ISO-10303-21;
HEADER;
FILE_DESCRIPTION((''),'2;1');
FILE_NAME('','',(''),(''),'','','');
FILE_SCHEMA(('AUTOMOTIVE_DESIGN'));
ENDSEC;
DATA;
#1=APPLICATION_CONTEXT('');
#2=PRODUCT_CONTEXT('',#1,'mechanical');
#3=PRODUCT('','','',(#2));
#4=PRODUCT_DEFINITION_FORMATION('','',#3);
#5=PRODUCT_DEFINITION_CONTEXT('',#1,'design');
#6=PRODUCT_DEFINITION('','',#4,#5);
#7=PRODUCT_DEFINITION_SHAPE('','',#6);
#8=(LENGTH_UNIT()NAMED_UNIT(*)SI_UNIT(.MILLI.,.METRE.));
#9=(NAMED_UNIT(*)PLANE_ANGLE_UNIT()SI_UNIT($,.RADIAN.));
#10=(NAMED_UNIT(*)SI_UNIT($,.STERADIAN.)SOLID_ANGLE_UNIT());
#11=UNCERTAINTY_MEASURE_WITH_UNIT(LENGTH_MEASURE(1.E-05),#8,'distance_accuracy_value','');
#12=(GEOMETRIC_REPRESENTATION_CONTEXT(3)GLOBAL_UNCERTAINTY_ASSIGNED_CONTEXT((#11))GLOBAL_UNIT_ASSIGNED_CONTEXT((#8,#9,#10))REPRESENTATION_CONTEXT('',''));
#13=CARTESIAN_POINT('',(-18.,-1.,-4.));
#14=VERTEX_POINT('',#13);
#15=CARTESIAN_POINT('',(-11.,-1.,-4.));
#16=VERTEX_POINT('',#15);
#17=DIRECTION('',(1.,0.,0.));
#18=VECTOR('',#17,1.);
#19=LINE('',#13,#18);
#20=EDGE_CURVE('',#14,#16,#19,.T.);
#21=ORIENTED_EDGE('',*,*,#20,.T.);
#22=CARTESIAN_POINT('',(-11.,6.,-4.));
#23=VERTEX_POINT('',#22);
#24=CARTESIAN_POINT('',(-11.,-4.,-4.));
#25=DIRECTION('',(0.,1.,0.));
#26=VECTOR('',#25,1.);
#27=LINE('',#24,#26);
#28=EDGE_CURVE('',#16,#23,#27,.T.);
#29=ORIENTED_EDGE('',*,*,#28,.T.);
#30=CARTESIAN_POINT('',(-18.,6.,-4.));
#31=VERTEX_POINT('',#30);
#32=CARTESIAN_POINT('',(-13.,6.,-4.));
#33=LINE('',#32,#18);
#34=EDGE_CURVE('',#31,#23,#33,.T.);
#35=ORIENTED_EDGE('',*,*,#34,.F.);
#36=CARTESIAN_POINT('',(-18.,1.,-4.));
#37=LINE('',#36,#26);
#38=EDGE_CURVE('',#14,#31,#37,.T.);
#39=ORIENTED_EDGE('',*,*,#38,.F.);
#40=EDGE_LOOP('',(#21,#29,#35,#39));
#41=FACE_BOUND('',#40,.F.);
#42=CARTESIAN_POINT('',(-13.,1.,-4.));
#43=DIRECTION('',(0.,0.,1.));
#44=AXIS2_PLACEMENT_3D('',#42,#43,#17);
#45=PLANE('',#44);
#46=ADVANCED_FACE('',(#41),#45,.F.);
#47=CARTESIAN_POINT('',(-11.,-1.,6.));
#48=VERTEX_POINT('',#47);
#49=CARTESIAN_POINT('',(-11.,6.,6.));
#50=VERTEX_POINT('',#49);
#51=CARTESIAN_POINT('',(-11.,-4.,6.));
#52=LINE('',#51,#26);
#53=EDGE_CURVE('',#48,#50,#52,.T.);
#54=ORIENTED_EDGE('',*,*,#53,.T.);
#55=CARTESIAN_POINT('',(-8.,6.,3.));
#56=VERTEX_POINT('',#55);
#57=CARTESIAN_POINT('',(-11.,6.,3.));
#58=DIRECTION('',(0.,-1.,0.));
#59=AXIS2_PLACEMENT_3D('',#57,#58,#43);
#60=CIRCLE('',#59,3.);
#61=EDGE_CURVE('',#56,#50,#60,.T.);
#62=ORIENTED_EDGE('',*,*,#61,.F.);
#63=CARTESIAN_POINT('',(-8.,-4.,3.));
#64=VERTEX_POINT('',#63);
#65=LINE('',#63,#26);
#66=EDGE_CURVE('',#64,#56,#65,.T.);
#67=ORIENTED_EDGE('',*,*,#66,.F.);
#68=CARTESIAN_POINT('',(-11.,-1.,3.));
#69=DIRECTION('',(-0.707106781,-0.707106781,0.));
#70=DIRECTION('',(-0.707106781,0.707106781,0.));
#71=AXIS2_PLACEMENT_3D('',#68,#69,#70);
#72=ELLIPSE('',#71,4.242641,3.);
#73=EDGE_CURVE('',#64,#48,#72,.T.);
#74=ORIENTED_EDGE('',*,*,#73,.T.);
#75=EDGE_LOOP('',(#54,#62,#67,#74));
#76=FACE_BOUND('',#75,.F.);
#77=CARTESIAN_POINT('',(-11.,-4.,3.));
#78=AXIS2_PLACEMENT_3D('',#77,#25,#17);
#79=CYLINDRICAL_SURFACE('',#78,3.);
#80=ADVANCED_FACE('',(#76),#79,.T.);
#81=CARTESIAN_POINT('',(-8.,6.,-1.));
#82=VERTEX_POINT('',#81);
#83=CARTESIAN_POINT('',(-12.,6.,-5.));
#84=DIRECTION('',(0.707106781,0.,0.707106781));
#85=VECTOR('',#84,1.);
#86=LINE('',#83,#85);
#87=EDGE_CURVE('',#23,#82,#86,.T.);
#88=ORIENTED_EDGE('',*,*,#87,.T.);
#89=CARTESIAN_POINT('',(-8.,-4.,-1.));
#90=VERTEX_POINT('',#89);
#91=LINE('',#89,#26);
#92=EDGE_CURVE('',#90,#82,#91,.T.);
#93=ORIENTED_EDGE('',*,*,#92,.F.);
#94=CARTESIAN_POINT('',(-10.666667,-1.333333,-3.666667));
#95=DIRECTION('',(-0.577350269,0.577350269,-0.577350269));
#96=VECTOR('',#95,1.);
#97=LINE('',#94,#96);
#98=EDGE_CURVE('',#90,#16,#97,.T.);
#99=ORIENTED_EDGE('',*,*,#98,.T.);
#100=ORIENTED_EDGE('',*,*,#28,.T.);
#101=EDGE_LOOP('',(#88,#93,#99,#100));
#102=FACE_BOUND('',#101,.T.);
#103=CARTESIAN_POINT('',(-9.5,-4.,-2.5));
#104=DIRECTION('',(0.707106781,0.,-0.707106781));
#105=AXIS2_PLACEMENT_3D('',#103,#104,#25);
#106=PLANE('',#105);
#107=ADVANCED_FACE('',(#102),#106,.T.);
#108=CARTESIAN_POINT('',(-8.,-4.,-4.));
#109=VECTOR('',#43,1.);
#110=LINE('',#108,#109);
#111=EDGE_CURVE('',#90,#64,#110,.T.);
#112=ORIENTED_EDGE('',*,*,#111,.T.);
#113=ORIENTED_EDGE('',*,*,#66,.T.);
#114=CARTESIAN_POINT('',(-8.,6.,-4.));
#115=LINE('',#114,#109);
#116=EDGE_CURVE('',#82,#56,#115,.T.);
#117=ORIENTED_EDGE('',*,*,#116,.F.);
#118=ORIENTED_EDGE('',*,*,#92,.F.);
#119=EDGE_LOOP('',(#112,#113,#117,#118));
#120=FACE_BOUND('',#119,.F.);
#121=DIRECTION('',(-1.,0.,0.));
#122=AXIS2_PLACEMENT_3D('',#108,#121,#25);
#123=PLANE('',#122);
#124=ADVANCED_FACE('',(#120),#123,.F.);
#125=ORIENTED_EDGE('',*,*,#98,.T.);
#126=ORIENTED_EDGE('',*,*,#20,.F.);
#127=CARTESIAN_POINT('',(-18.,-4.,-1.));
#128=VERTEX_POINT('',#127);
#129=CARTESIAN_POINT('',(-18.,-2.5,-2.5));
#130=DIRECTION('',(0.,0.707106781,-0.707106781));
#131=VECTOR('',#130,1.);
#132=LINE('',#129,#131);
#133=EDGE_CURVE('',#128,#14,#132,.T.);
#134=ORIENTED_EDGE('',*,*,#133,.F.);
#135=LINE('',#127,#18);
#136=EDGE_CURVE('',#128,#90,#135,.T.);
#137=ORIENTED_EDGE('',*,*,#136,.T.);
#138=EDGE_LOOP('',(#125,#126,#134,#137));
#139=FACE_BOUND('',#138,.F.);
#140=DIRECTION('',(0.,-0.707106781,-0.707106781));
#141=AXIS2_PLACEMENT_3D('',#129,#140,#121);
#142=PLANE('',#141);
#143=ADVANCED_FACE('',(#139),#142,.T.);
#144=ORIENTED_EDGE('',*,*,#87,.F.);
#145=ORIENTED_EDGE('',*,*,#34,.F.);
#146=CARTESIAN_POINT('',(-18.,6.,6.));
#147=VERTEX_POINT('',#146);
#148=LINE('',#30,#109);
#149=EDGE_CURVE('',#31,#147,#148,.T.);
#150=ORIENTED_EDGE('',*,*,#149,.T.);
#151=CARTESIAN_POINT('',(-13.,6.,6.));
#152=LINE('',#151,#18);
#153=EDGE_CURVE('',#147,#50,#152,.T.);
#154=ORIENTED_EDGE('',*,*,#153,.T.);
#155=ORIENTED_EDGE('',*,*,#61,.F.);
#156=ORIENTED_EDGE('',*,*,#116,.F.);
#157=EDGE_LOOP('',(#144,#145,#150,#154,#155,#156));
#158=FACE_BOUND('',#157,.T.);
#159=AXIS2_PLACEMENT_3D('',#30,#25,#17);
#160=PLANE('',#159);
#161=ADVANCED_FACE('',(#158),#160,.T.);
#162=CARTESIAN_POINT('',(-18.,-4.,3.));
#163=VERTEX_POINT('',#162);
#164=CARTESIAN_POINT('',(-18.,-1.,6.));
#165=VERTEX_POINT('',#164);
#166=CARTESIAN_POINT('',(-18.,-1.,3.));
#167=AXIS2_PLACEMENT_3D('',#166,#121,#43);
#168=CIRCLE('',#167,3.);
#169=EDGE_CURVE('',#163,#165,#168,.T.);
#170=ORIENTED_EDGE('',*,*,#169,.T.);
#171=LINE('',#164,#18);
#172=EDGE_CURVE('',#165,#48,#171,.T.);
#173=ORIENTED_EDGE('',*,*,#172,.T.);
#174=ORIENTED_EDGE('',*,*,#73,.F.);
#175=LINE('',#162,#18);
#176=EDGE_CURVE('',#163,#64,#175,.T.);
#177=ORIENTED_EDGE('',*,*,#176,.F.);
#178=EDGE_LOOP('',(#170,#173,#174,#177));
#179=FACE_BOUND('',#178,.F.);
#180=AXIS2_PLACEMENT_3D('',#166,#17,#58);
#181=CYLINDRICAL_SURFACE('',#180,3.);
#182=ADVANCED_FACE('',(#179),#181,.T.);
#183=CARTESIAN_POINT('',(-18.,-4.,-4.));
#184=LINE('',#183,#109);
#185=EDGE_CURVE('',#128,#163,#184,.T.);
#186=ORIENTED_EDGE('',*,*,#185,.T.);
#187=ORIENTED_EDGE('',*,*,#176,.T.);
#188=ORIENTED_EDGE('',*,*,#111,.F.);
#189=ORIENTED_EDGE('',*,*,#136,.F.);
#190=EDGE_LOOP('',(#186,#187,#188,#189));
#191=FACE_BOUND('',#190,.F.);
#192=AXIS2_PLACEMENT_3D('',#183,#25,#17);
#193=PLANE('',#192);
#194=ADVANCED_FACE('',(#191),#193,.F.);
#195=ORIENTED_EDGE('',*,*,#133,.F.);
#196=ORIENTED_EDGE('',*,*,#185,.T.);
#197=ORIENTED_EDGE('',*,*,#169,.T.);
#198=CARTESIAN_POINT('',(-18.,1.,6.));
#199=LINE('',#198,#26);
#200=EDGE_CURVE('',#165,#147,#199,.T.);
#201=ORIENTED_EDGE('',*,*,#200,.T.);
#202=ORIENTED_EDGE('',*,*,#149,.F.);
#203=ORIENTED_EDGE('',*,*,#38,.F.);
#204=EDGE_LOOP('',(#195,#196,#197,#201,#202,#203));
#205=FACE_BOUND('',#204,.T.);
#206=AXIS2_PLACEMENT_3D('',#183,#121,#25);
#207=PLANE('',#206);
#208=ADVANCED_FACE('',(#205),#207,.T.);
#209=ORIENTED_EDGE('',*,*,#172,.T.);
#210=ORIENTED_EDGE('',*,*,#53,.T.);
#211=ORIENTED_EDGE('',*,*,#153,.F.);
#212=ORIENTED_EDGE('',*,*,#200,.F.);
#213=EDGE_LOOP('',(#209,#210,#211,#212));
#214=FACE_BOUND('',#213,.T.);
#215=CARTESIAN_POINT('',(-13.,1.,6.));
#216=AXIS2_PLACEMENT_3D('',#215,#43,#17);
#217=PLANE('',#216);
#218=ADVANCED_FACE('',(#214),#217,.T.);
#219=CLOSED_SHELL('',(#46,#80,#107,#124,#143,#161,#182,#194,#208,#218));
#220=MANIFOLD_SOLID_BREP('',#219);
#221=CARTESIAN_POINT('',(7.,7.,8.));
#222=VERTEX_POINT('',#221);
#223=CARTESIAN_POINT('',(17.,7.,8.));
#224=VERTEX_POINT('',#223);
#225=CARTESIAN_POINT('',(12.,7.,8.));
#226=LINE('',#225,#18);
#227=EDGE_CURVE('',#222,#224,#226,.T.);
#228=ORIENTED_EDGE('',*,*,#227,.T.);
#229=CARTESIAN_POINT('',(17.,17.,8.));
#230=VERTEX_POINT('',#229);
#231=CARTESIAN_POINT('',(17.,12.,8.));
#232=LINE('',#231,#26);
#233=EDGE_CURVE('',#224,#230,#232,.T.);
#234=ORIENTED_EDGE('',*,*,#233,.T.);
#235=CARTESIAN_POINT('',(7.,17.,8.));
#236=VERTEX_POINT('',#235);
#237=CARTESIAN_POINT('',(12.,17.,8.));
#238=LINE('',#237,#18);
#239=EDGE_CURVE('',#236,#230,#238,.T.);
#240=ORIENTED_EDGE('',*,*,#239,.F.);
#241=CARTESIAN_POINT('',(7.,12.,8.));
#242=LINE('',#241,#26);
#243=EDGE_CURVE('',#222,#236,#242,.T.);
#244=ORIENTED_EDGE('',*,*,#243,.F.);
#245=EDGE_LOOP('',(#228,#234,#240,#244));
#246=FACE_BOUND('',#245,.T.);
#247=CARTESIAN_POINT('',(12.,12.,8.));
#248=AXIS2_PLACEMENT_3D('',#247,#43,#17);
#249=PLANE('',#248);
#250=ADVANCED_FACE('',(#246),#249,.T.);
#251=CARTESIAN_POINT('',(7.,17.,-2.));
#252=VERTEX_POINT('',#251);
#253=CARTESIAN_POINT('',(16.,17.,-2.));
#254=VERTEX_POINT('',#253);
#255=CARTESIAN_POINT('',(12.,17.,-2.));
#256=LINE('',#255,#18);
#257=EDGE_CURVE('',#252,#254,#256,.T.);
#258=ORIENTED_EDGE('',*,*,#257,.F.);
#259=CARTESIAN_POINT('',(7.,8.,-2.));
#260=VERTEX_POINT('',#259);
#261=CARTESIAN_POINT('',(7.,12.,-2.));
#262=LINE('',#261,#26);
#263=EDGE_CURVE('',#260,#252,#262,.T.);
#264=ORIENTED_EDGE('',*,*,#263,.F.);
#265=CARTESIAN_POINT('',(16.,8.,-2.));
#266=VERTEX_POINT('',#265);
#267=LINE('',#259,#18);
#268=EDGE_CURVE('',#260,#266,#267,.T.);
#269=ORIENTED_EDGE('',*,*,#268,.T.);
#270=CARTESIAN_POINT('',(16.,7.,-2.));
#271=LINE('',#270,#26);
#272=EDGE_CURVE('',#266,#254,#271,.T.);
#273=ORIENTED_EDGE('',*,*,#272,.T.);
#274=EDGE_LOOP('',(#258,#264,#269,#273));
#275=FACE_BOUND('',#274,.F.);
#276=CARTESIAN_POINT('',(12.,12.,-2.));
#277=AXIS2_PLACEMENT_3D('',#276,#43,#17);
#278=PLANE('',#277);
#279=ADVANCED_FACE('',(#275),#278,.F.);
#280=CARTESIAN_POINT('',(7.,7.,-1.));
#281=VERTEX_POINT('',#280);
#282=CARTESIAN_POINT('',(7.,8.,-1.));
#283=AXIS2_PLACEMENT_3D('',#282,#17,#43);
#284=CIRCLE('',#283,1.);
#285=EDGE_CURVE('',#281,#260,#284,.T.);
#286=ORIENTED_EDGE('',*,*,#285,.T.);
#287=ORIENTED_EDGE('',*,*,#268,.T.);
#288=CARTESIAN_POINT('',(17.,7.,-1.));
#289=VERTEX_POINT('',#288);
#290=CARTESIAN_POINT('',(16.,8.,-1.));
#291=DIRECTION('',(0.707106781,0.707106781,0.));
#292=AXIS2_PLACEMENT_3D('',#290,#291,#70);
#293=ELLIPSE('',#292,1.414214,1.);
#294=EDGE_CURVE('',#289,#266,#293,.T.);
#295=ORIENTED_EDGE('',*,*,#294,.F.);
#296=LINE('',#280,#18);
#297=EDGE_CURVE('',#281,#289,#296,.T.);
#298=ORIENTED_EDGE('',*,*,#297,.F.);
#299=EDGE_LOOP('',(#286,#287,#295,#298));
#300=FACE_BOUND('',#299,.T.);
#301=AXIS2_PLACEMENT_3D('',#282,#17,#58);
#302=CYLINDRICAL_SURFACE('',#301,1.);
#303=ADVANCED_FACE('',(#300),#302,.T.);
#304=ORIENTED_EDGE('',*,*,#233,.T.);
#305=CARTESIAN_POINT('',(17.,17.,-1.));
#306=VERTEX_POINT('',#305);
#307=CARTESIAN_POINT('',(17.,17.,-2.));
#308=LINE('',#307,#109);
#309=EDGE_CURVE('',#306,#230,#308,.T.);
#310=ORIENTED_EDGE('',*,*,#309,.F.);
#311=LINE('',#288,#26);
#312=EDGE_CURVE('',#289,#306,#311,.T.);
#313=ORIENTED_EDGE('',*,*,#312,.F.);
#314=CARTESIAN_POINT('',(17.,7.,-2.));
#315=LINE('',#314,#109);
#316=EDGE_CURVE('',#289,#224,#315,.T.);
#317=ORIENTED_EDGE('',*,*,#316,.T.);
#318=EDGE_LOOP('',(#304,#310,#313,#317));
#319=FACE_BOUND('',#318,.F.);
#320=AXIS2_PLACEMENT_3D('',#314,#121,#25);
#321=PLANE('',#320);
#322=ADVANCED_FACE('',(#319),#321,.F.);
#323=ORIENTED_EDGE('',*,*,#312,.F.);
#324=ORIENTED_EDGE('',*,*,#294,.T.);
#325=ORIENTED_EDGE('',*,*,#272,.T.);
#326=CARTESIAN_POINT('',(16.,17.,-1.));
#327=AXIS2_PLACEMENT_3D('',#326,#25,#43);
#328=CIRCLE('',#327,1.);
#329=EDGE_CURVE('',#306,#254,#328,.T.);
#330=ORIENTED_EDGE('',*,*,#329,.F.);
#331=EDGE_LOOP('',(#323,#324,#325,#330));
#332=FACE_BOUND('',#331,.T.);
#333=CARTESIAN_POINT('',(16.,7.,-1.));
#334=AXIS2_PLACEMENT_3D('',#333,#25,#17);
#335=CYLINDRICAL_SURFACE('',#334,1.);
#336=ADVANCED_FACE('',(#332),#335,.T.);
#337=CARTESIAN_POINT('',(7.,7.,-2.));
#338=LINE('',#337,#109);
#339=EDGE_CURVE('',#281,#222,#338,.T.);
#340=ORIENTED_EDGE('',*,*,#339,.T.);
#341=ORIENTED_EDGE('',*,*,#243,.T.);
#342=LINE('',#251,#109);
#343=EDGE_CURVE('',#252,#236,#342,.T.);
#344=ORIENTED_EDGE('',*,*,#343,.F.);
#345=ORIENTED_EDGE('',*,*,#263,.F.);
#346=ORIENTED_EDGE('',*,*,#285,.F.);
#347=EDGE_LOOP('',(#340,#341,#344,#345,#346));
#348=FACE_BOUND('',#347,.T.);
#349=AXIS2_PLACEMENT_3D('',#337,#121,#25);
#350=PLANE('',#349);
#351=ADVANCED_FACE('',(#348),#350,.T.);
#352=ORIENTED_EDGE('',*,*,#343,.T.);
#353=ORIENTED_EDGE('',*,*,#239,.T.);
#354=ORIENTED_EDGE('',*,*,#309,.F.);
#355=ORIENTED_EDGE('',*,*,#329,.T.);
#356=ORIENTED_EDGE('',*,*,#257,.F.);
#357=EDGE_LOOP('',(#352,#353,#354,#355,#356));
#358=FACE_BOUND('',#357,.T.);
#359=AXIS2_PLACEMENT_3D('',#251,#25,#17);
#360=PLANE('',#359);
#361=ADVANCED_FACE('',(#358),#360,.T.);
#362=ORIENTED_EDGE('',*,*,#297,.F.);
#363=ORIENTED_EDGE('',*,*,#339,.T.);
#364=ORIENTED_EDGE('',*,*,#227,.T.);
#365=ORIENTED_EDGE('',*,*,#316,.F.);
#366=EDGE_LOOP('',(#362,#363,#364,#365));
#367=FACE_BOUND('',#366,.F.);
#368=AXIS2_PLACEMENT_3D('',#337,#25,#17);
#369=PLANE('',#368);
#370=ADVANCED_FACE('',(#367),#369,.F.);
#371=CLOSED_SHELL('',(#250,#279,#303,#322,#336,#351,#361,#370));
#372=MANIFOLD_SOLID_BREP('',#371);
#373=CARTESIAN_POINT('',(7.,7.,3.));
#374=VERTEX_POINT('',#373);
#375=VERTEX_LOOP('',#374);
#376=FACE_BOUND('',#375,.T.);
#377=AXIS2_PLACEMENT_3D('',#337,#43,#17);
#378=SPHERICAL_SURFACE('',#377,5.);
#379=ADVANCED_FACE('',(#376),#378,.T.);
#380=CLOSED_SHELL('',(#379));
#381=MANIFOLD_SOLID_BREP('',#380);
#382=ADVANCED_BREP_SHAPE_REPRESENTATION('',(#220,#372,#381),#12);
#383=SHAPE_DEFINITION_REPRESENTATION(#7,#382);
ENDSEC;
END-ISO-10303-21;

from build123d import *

# Parameters (mm, degrees)
BOX001_W     = 10
BOX001_H     = 10
BOX001_DEPTH = 10
FILLET_R     = 3
CHAMFER_SIZE = 3
BOX_W        = 10
BOX_H        = 10
BOX_DEPTH    = 10
FILLET001_R  = 1


with BuildPart() as sphere:
    # Sphere → Sphere (revolve)
    with BuildSketch(Plane(origin=(7, 7, -2), x_dir=(1, 0, 0), z_dir=(0, -1, 0))):
        with BuildLine():
            ThreePointArc((0, -5), (5, 0), (0, 5))
            Line((0, 5), (0, -5))
        make_face()
    revolve(axis=Axis((7, 7, -2), (0, 0, 1)))


with BuildPart() as chamfer_body:
    # Box001 → Box001 (new body)
    with BuildSketch(Plane(origin=(-18, -4, -4), x_dir=(1, 0, 0), z_dir=(0, 0, 1))):
        with Locations((5, 5)):
            Rectangle(BOX001_W, BOX001_H)
    extrude(amount=BOX001_DEPTH)

    # Fillet
    fillet_edges = [chamfer_body.edges().sort_by_distance(p)[0] for p in [
        (-8, 1, 6),
        (-13, -4, 6),
    ]]
    fillet(fillet_edges, radius=FILLET_R)

    # Chamfer
    chamfer_edges = [chamfer_body.edges().sort_by_distance(p)[0] for p in [
        (-13, -4, -4),
        (-8, 1, -4),
    ]]
    chamfer(chamfer_edges, length=CHAMFER_SIZE)


with BuildPart() as fillet001:
    # Box → Box (new body)
    with BuildSketch(Plane(origin=(7, 7, -2), x_dir=(1, 0, 0), z_dir=(0, 0, 1))):
        with Locations((5, 5)):
            Rectangle(BOX_W, BOX_H)
    extrude(amount=BOX_DEPTH)

    # Fillet001
    fillet001_edges = [fillet001.edges().sort_by_distance(p)[0] for p in [
        (17, 12, -2),
        (12, 7, -2),
    ]]
    fillet(fillet001_edges, radius=FILLET001_R)


solid = Compound([sphere.part, chamfer_body.part, fillet001.part])
